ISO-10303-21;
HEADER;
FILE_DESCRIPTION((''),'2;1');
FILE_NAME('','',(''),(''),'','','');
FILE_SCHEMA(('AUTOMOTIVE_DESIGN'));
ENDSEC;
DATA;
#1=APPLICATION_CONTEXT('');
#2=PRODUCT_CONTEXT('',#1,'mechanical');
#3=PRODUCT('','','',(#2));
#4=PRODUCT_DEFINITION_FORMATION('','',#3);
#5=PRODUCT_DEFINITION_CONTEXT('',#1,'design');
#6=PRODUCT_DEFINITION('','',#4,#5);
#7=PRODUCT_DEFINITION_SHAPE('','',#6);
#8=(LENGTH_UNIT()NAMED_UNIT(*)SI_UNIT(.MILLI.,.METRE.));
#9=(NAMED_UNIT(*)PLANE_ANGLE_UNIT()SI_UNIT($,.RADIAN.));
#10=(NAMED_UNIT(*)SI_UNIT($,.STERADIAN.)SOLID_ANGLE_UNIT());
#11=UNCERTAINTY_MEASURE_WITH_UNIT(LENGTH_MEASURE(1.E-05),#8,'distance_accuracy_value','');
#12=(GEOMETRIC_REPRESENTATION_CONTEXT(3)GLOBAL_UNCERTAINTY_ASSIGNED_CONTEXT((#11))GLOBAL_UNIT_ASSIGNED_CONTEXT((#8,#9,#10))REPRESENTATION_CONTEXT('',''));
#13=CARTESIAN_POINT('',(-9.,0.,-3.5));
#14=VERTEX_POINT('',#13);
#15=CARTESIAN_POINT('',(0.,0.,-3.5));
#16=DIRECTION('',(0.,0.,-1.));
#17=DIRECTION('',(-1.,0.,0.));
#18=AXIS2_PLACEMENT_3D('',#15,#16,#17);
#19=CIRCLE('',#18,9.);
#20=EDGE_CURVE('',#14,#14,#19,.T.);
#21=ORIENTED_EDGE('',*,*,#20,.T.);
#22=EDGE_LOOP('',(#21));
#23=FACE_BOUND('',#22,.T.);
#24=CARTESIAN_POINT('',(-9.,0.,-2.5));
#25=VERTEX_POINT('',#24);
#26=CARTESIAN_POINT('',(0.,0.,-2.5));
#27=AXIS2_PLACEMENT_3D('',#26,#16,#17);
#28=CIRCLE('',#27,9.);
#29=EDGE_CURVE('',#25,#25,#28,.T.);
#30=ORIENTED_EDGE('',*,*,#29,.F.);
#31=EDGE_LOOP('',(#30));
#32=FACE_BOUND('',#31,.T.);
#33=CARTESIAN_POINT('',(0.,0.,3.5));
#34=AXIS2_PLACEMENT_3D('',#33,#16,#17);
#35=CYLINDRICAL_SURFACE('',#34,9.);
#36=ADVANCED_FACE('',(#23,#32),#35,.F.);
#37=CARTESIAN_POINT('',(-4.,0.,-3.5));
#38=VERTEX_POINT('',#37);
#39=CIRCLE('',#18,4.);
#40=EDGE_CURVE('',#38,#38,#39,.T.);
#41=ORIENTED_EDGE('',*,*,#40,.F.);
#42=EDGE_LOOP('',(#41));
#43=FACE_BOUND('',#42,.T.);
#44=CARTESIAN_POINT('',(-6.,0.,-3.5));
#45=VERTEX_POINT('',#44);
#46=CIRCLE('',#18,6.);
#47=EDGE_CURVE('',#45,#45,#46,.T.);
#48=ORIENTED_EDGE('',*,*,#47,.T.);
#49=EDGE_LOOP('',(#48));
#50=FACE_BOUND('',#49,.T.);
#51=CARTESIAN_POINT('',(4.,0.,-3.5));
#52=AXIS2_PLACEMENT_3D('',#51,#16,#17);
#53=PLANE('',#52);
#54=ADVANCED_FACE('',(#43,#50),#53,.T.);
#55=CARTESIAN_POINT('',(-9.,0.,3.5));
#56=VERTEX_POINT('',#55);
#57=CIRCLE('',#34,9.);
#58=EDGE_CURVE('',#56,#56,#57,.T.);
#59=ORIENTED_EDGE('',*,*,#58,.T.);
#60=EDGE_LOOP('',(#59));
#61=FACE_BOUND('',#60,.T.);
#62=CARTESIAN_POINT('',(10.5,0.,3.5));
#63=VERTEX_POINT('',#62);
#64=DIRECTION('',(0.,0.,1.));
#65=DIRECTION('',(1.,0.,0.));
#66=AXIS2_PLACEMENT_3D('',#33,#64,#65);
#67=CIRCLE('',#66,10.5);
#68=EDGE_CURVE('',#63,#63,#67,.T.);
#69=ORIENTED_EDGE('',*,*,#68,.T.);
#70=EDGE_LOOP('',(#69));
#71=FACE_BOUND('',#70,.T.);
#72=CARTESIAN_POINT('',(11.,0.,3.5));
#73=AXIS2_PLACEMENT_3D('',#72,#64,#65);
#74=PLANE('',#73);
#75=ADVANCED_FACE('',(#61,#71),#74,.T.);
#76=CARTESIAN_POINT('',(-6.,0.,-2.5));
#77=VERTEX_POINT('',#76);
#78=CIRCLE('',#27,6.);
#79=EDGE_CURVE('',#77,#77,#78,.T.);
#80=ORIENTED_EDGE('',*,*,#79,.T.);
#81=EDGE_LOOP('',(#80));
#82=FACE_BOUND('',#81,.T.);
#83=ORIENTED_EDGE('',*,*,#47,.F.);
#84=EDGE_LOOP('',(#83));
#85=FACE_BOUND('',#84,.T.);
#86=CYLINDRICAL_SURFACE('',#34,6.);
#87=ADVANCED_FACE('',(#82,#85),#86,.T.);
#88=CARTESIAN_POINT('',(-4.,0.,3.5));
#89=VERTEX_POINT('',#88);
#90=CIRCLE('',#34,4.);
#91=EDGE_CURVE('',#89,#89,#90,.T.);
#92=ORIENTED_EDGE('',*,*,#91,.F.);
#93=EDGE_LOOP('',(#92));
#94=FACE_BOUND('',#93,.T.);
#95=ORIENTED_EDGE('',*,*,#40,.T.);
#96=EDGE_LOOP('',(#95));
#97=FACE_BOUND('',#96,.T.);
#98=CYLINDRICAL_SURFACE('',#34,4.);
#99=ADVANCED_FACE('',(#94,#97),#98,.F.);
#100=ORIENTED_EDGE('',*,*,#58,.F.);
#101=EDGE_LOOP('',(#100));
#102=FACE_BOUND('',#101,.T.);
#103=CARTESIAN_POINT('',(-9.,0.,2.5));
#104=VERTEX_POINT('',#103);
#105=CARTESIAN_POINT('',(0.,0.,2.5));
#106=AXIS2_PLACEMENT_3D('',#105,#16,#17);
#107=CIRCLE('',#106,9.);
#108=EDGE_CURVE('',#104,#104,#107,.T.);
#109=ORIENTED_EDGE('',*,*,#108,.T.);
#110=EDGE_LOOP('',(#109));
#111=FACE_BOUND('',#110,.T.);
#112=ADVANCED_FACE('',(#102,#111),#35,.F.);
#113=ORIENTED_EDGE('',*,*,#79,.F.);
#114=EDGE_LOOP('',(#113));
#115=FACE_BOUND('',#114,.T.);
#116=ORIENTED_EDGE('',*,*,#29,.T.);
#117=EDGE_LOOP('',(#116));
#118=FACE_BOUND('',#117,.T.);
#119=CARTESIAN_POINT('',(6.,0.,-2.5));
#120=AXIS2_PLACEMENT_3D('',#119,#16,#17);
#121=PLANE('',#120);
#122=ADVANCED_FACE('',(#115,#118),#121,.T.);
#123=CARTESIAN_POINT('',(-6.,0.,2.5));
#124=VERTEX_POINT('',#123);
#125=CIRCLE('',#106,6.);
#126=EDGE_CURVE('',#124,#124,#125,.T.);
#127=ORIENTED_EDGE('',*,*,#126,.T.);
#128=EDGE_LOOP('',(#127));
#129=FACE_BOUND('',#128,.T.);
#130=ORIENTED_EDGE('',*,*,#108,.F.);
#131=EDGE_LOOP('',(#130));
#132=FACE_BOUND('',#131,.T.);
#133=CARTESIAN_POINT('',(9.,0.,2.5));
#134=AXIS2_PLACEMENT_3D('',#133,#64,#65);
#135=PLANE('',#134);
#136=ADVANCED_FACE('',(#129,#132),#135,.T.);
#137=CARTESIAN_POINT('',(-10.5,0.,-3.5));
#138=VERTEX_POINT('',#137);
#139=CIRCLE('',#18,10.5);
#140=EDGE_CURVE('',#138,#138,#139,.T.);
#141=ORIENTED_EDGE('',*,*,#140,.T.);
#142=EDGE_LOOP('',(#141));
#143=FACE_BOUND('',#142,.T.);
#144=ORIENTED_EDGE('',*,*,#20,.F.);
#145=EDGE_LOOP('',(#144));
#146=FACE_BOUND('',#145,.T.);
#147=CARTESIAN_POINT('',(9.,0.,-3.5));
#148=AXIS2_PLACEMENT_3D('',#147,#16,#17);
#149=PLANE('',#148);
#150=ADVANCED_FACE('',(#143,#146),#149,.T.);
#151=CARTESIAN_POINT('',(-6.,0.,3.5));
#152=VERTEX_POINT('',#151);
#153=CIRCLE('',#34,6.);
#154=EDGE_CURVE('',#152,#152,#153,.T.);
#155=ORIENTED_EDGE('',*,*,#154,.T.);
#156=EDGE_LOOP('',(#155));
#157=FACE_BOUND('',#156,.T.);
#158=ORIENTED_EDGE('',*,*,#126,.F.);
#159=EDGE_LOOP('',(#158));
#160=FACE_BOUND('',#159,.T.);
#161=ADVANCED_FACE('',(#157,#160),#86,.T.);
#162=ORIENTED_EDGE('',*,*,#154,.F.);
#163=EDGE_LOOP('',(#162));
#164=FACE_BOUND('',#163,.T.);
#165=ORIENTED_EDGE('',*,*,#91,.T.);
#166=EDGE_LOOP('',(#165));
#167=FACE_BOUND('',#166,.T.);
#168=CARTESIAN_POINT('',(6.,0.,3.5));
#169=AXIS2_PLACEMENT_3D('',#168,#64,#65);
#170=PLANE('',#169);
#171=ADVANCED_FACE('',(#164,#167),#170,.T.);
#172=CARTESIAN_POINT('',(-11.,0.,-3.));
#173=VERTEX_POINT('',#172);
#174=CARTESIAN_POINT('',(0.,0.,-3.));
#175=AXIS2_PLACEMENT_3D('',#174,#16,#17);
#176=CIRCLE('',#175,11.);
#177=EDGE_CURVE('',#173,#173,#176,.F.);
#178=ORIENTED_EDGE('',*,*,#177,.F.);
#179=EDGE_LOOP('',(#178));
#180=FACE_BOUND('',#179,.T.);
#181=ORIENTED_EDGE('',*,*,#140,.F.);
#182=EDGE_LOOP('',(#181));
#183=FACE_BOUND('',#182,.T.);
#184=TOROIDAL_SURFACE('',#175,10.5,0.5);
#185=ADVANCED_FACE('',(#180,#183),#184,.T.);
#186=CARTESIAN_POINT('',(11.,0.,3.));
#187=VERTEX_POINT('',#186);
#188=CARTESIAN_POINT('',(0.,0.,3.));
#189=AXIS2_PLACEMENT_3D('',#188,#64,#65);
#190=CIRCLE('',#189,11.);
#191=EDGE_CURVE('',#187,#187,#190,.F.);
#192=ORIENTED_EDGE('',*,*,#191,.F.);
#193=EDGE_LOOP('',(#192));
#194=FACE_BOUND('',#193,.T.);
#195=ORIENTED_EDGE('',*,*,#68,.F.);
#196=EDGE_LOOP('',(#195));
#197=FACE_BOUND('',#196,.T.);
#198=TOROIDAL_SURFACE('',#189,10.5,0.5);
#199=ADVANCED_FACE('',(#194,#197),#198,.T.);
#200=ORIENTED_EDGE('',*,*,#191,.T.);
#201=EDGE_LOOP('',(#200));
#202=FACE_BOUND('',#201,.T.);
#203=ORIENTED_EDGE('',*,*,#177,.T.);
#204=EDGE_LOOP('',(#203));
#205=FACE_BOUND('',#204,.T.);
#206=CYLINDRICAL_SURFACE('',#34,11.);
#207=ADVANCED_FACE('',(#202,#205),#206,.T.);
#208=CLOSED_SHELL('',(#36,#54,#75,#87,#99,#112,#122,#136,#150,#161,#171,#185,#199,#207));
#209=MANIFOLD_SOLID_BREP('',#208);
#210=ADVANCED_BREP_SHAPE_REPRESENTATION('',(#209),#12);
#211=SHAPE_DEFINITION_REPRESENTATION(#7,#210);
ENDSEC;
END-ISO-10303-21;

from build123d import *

# Parameters (mm, degrees)
FILLET1_R = 0.5


with BuildPart() as part:
    # Sketch1 → Revolve1 (revolve)
    with BuildSketch(Plane.XZ):
        Polygon((6, -3.5), (6, -2.5), (9, -2.5), (9, -3.5), (11, -3.5), (11, 3.5), (9, 3.5), (9, 2.5), (6, 2.5), (6, 3.5), (4, 3.5), (4, -3.5), align=None)
    revolve(axis=Axis((0, 0, 3.5), (0, 0, -1)))

    # Fillet1
    fillet1_edges = [part.edges().sort_by_distance(p)[0] for p in [
        (-11, 0, 3.5),
        (-11, 0, -3.5),
    ]]
    fillet(fillet1_edges, radius=FILLET1_R)


solid = part.part
